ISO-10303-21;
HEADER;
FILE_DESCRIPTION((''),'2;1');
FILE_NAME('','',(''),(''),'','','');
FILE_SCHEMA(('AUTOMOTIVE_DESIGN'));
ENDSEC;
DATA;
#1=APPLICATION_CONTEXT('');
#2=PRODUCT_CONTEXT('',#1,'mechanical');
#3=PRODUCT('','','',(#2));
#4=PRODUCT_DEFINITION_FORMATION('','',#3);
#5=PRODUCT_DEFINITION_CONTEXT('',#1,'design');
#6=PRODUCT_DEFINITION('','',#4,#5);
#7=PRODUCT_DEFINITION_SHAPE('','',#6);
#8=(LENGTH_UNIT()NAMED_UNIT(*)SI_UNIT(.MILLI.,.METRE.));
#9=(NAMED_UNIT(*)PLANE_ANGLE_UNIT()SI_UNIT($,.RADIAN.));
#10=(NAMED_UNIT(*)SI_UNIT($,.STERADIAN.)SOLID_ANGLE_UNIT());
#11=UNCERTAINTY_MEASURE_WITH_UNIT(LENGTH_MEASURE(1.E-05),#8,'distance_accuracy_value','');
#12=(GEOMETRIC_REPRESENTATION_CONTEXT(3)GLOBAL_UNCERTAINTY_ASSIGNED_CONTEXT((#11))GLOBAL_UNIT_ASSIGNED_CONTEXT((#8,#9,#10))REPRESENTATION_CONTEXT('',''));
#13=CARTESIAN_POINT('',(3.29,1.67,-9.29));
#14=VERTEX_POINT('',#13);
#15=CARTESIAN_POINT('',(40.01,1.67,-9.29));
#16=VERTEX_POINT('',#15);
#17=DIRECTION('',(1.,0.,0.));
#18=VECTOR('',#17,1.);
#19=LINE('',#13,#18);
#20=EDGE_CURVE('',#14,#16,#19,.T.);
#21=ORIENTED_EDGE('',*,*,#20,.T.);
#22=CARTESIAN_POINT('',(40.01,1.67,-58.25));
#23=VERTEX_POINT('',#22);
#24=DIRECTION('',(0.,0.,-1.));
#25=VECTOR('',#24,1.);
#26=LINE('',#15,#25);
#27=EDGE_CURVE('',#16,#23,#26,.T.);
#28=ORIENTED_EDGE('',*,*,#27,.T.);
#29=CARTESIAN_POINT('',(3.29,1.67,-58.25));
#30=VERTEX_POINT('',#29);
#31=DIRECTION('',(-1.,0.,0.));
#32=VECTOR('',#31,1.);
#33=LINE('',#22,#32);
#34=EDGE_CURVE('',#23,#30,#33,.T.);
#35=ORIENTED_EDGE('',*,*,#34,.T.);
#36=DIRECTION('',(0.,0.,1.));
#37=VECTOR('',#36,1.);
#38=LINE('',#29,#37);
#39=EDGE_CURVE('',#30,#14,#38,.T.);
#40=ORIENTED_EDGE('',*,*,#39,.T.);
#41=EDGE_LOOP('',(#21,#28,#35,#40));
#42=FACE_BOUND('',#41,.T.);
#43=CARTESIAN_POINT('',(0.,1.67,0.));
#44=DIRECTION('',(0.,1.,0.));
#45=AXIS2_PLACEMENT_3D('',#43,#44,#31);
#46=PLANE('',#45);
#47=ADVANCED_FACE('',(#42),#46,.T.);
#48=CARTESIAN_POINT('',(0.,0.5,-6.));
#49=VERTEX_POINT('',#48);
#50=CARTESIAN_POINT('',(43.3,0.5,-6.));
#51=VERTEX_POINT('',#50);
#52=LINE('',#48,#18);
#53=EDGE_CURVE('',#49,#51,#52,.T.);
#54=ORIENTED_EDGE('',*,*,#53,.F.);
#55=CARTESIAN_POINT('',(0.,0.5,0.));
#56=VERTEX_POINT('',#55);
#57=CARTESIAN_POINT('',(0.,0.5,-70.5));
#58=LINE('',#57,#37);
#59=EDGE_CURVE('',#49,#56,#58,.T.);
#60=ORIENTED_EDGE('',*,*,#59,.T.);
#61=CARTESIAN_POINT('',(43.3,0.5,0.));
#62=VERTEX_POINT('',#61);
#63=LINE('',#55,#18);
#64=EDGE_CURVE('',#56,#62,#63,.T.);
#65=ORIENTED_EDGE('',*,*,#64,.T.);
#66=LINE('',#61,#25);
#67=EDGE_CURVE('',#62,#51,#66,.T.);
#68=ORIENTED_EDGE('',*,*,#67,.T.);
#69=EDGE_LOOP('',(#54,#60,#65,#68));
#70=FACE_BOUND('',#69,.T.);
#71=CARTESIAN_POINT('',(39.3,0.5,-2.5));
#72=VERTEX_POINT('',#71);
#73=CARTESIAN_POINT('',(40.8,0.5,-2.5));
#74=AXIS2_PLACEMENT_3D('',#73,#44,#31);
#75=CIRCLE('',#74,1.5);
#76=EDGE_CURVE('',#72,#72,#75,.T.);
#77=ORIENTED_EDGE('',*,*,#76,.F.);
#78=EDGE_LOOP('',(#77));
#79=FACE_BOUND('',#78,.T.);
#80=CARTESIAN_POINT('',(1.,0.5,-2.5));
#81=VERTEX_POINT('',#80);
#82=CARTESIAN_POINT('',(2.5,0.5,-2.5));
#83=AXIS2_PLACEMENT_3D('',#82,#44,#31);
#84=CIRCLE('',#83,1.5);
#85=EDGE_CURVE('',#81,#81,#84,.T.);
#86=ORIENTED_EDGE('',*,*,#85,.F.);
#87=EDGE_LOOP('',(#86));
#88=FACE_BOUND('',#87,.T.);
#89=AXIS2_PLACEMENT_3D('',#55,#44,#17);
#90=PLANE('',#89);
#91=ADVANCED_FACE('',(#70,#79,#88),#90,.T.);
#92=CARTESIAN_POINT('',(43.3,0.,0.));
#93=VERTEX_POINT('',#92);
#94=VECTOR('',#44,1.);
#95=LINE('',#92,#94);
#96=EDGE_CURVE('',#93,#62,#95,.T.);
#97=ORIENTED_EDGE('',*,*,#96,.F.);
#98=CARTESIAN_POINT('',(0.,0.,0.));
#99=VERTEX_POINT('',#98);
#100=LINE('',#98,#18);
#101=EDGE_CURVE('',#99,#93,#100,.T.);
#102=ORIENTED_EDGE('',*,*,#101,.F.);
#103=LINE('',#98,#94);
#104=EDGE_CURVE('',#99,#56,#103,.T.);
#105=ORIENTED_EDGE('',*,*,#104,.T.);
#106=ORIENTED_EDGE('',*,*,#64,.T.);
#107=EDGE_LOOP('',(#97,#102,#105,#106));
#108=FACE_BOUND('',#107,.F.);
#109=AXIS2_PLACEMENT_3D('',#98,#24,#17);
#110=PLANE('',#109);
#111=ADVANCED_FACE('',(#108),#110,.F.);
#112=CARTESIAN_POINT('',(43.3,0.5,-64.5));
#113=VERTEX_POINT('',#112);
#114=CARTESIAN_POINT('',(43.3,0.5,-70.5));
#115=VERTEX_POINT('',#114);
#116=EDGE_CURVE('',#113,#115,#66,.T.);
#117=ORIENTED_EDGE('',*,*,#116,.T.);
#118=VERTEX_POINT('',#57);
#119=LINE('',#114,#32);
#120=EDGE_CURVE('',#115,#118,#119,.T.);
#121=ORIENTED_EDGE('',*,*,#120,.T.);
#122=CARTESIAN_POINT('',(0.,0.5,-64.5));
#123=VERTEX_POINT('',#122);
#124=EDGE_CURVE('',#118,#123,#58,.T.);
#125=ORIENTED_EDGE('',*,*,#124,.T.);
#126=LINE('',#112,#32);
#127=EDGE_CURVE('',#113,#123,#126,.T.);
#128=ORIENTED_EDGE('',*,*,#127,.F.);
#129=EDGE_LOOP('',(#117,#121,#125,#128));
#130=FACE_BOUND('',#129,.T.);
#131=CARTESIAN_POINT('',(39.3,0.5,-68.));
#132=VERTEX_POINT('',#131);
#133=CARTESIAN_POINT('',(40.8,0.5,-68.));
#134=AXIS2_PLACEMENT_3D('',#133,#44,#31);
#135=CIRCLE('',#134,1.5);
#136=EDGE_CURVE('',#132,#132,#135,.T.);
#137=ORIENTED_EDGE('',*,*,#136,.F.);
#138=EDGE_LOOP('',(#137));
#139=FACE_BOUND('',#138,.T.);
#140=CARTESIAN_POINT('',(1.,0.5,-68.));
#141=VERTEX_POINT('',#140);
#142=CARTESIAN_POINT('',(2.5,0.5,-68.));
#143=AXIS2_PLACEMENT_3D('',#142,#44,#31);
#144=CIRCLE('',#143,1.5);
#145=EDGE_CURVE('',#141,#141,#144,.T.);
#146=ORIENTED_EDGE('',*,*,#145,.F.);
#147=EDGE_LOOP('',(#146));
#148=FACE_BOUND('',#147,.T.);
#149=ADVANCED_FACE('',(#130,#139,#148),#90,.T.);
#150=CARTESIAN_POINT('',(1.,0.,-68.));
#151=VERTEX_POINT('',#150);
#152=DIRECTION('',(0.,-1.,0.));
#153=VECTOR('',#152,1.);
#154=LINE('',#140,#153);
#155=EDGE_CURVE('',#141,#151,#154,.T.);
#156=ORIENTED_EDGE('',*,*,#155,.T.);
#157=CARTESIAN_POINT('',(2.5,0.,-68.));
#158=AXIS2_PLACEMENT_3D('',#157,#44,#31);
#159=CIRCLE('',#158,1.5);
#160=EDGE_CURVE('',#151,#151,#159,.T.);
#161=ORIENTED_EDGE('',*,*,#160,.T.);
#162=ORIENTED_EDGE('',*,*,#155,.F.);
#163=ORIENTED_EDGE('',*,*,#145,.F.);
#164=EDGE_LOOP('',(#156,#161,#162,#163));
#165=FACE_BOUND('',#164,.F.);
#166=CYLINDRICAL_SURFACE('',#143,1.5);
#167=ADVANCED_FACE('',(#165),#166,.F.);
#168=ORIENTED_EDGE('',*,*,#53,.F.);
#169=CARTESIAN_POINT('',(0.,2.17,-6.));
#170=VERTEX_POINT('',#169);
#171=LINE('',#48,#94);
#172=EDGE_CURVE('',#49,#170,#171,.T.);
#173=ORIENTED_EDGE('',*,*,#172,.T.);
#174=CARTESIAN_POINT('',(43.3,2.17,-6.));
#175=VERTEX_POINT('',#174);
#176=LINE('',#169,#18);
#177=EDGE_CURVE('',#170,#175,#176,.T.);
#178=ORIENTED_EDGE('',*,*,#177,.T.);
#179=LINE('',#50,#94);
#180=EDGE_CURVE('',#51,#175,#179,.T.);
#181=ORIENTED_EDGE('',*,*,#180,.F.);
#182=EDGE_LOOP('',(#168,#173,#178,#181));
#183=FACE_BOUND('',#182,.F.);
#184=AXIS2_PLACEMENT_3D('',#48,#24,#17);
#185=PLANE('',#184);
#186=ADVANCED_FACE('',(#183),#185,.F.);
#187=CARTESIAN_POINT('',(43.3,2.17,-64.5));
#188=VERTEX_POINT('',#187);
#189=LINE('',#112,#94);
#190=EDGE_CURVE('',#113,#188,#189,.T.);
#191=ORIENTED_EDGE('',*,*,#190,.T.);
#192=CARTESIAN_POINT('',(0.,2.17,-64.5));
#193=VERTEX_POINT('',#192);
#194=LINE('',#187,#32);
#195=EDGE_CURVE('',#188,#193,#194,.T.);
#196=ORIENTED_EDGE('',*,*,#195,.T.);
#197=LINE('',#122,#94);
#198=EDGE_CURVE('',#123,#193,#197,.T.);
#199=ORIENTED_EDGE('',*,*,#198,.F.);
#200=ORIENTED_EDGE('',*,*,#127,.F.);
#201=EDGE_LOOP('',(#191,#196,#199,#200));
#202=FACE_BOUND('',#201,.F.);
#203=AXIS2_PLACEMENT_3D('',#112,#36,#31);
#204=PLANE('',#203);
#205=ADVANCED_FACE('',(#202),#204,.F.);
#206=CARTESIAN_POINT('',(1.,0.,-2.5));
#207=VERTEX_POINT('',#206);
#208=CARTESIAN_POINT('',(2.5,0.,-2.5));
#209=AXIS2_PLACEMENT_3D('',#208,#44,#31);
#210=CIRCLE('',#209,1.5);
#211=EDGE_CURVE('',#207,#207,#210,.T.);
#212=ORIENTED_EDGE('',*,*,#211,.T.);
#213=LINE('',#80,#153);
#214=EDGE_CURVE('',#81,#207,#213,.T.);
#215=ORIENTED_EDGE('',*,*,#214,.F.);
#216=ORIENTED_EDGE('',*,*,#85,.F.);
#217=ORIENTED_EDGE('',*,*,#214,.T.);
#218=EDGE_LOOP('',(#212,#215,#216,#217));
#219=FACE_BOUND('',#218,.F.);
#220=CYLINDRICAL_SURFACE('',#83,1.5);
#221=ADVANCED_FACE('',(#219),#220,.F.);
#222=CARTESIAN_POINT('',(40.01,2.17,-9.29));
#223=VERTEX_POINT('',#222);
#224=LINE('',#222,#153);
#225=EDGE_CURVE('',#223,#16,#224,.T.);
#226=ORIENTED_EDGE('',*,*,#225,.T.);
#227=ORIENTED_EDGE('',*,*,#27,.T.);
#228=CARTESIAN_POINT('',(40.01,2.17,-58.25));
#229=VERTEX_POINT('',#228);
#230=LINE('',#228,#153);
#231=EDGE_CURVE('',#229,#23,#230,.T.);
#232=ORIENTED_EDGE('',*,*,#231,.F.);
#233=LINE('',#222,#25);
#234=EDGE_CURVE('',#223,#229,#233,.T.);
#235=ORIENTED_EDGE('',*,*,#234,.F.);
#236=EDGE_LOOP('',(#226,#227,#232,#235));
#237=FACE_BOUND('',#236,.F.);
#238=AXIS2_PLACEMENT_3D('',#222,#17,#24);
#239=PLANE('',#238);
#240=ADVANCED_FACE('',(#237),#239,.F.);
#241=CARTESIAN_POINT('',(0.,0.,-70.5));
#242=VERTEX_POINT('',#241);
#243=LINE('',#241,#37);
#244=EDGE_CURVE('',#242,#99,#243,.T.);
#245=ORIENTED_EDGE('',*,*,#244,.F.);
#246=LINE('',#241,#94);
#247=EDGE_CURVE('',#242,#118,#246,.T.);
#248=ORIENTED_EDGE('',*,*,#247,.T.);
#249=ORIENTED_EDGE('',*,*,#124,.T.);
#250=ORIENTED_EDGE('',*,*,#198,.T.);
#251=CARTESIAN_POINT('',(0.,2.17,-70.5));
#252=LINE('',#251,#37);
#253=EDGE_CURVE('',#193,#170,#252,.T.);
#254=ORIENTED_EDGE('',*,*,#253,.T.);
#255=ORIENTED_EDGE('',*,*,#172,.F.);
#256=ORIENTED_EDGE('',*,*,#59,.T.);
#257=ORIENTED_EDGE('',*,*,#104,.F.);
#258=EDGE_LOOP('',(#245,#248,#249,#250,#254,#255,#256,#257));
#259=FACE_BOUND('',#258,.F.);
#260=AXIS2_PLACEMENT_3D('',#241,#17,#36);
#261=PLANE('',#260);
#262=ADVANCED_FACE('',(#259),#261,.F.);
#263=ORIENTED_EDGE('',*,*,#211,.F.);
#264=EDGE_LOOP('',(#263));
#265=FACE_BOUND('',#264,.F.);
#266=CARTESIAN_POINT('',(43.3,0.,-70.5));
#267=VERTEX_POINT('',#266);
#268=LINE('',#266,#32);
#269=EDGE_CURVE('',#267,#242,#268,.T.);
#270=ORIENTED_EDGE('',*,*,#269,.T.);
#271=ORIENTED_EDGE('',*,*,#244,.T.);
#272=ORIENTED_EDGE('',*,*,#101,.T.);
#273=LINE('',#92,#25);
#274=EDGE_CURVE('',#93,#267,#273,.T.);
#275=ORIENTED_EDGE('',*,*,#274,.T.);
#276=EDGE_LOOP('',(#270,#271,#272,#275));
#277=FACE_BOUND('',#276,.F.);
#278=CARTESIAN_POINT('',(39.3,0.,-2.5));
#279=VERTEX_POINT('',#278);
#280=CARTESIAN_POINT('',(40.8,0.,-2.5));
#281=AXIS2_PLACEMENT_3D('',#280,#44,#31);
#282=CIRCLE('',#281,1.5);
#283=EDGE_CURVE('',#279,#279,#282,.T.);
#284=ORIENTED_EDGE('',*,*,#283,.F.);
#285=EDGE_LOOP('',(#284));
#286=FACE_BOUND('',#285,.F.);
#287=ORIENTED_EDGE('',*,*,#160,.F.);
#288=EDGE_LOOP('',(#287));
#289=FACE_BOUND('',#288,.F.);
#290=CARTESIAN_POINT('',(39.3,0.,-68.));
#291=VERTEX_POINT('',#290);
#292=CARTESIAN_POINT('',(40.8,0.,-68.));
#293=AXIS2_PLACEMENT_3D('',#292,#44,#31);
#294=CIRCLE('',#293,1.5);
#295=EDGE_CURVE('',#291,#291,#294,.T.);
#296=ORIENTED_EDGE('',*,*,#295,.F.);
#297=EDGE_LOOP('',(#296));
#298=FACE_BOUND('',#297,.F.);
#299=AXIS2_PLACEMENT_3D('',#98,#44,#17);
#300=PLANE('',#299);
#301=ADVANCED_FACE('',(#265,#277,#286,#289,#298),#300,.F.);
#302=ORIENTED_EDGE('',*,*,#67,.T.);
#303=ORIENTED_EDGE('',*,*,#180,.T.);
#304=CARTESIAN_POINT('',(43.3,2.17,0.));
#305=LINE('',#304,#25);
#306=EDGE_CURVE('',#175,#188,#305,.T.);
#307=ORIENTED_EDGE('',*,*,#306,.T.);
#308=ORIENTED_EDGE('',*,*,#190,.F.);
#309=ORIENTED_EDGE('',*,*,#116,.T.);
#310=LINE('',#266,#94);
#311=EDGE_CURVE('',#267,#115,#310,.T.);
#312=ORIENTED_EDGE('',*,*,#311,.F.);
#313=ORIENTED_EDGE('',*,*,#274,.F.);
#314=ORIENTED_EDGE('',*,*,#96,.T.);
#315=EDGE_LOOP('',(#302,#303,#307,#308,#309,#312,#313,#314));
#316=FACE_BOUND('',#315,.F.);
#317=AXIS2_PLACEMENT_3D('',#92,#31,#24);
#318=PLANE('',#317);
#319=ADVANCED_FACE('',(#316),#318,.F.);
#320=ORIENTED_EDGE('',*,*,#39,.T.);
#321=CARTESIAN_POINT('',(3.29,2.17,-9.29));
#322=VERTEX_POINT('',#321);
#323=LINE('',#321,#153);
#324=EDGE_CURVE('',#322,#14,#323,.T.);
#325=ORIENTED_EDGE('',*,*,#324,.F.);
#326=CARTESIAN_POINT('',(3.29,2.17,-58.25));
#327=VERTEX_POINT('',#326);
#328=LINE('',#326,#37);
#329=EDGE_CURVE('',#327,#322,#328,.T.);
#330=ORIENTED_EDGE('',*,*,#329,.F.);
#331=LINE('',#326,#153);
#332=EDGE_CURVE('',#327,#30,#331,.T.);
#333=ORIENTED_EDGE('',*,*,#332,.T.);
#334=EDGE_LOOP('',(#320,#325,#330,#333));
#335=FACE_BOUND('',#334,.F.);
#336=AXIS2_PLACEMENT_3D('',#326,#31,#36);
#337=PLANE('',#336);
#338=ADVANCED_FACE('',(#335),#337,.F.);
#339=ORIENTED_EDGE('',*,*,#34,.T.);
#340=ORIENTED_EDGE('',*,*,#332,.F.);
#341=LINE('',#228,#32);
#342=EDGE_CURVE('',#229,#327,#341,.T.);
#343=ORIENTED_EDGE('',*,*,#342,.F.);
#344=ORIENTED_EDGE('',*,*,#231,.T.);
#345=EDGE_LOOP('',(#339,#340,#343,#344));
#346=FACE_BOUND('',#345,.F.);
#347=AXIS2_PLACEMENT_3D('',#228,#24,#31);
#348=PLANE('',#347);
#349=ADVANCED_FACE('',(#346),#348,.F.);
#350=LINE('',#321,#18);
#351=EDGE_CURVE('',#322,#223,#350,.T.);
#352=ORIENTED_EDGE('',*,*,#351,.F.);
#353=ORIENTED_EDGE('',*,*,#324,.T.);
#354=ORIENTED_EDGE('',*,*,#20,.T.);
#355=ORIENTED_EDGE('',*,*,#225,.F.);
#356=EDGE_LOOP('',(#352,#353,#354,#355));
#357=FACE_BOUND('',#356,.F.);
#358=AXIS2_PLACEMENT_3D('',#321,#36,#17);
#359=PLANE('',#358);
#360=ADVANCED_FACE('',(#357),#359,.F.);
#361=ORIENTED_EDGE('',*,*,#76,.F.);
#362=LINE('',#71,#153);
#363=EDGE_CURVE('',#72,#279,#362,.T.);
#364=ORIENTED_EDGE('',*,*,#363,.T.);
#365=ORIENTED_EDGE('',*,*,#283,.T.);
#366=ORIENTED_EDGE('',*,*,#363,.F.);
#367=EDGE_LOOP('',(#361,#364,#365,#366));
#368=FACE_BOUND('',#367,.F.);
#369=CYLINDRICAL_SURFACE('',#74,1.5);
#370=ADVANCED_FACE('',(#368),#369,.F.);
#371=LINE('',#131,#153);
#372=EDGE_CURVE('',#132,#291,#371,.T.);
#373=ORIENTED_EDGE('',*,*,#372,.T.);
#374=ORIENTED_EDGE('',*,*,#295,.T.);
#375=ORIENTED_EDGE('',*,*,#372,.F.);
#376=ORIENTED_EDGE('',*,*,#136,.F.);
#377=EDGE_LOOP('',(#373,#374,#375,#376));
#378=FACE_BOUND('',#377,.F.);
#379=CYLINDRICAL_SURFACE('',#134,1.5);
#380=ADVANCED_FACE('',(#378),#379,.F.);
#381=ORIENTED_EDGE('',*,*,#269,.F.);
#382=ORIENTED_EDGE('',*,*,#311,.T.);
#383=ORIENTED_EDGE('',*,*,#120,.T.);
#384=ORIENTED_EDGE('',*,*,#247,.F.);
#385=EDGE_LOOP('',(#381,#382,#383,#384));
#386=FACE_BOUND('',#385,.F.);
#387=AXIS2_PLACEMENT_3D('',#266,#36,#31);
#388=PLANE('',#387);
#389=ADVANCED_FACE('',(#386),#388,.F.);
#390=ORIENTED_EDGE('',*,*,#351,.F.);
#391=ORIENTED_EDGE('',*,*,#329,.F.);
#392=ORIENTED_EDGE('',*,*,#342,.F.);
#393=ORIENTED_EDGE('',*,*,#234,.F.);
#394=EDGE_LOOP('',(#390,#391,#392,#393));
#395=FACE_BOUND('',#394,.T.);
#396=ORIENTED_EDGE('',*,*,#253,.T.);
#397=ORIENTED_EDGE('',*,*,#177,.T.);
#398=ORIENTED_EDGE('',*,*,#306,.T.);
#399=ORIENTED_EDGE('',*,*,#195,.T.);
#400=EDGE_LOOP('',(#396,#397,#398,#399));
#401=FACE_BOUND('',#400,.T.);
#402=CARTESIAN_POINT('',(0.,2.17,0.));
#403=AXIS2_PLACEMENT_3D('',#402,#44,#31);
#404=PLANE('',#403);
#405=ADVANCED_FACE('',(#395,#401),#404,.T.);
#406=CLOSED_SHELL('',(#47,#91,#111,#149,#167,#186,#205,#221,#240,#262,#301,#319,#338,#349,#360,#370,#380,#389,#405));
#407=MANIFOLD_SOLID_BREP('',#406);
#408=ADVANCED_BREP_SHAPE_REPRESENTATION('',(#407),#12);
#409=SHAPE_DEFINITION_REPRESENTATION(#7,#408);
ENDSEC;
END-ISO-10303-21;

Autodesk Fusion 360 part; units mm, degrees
sketch "Sketch1" plane through (0, 0, 0) normal (0, 1, 0) x (1, 0, 0)
  line L0 (0, 0) -> (43.3, 0)
  line L1 (43.3, 0) -> (43.3, 70.5)
  line L2 (43.3, 70.5) -> (0, 70.5)
  line L3 (0, 70.5) -> (0, 0)
  dimension "d1" = 43.3
  dimension "d2" = 70.5
extrude "Extrude1" add sketch "Sketch1" along normal blind 0.5
sketch "Sketch2" plane through (0, 0.5, 0) normal (0, 1, 0) x (-1, 0, 0)
  line L0 (0, -70.5) -> (0, 0)
  line L1 (0, 0) -> (-43.3, 0)
  line L2 (-43.3, 0) -> (-43.3, -70.5)
  line L3 (-43.3, -70.5) -> (0, -70.5) construction
  line L4 (-43.3, 0) -> (-43.3, -5) construction
  line L5 (-43.3, -70.5) -> (-43.3, -64.5) construction
  line L6 (-43.3, -64.5) -> (0, -64.5)
  line L7 (0, -64.5) -> (0, -6)
  line L8 (0, -6) -> (-43.3, -6)
  line L9 (-43.3, -6) -> (-43.3, -64.5)
  line L10 (0, -2.5) -> (-2.5, -2.5) construction
  line L11 (-43.3, -2.5) -> (-40.8, -2.5) construction
  circle A0 centre (-2.5, -68) radius 1.5
  circle A1 centre (-40.8, -68) radius 1.5
  circle A2 centre (-40.8, -2.5) radius 1.5
  circle A3 centre (-2.5, -2.5) radius 1.5
  dimension "d5" = 6
  dimension "d8" = 2.5
  dimension "d10" = 3
  dimension "d11" = 3
  dimension "d12" = 3
  dimension "d13" = 3
  dimension "d16" = 2.5
  dimension "d17" = 2.5
  dimension "d18" = 2.5
  dimension "d19" = 2.5
  dimension "d20" = 2.5
  dimension "d21" = 2.5
  dimension "d22" = 2.5
extrude "Extrude2" add sketch "Sketch2" along normal blind 1.67 contours L0 L2 L6 L7 L8 L9
extrude "Extrude3" cut sketch "Sketch2" against normal blind 5.737 contours A0 | A1 | A2 | A3
sketch "Sketch3" plane through (0, 2.17, 0) normal (0, 1, 0) x (-1, 0, 0)
  line L0 (-43.3, -6) -> (-43.3, -64.5)
  line L1 (-43.3, -64.5) -> (0, -64.5)
  line L2 (0, -64.5) -> (0, -6)
  line L3 (0, -6) -> (-43.3, -6)
  line L4 (-3.29, -9.29) -> (-40.01, -9.29)
  line L5 (-40.01, -9.29) -> (-40.01, -58.25)
  line L6 (-40.01, -58.25) -> (-3.29, -58.25)
  line L7 (-3.29, -58.25) -> (-3.29, -9.29)
  dimension "d23" = 36.72
  dimension "d24" = 48.96
  dimension "d25" = 3.29
  dimension "d26" = 3.29
extrude "Extrude4" cut sketch "Sketch3" against normal blind 0.5 contours L4 L5 L6 L7
